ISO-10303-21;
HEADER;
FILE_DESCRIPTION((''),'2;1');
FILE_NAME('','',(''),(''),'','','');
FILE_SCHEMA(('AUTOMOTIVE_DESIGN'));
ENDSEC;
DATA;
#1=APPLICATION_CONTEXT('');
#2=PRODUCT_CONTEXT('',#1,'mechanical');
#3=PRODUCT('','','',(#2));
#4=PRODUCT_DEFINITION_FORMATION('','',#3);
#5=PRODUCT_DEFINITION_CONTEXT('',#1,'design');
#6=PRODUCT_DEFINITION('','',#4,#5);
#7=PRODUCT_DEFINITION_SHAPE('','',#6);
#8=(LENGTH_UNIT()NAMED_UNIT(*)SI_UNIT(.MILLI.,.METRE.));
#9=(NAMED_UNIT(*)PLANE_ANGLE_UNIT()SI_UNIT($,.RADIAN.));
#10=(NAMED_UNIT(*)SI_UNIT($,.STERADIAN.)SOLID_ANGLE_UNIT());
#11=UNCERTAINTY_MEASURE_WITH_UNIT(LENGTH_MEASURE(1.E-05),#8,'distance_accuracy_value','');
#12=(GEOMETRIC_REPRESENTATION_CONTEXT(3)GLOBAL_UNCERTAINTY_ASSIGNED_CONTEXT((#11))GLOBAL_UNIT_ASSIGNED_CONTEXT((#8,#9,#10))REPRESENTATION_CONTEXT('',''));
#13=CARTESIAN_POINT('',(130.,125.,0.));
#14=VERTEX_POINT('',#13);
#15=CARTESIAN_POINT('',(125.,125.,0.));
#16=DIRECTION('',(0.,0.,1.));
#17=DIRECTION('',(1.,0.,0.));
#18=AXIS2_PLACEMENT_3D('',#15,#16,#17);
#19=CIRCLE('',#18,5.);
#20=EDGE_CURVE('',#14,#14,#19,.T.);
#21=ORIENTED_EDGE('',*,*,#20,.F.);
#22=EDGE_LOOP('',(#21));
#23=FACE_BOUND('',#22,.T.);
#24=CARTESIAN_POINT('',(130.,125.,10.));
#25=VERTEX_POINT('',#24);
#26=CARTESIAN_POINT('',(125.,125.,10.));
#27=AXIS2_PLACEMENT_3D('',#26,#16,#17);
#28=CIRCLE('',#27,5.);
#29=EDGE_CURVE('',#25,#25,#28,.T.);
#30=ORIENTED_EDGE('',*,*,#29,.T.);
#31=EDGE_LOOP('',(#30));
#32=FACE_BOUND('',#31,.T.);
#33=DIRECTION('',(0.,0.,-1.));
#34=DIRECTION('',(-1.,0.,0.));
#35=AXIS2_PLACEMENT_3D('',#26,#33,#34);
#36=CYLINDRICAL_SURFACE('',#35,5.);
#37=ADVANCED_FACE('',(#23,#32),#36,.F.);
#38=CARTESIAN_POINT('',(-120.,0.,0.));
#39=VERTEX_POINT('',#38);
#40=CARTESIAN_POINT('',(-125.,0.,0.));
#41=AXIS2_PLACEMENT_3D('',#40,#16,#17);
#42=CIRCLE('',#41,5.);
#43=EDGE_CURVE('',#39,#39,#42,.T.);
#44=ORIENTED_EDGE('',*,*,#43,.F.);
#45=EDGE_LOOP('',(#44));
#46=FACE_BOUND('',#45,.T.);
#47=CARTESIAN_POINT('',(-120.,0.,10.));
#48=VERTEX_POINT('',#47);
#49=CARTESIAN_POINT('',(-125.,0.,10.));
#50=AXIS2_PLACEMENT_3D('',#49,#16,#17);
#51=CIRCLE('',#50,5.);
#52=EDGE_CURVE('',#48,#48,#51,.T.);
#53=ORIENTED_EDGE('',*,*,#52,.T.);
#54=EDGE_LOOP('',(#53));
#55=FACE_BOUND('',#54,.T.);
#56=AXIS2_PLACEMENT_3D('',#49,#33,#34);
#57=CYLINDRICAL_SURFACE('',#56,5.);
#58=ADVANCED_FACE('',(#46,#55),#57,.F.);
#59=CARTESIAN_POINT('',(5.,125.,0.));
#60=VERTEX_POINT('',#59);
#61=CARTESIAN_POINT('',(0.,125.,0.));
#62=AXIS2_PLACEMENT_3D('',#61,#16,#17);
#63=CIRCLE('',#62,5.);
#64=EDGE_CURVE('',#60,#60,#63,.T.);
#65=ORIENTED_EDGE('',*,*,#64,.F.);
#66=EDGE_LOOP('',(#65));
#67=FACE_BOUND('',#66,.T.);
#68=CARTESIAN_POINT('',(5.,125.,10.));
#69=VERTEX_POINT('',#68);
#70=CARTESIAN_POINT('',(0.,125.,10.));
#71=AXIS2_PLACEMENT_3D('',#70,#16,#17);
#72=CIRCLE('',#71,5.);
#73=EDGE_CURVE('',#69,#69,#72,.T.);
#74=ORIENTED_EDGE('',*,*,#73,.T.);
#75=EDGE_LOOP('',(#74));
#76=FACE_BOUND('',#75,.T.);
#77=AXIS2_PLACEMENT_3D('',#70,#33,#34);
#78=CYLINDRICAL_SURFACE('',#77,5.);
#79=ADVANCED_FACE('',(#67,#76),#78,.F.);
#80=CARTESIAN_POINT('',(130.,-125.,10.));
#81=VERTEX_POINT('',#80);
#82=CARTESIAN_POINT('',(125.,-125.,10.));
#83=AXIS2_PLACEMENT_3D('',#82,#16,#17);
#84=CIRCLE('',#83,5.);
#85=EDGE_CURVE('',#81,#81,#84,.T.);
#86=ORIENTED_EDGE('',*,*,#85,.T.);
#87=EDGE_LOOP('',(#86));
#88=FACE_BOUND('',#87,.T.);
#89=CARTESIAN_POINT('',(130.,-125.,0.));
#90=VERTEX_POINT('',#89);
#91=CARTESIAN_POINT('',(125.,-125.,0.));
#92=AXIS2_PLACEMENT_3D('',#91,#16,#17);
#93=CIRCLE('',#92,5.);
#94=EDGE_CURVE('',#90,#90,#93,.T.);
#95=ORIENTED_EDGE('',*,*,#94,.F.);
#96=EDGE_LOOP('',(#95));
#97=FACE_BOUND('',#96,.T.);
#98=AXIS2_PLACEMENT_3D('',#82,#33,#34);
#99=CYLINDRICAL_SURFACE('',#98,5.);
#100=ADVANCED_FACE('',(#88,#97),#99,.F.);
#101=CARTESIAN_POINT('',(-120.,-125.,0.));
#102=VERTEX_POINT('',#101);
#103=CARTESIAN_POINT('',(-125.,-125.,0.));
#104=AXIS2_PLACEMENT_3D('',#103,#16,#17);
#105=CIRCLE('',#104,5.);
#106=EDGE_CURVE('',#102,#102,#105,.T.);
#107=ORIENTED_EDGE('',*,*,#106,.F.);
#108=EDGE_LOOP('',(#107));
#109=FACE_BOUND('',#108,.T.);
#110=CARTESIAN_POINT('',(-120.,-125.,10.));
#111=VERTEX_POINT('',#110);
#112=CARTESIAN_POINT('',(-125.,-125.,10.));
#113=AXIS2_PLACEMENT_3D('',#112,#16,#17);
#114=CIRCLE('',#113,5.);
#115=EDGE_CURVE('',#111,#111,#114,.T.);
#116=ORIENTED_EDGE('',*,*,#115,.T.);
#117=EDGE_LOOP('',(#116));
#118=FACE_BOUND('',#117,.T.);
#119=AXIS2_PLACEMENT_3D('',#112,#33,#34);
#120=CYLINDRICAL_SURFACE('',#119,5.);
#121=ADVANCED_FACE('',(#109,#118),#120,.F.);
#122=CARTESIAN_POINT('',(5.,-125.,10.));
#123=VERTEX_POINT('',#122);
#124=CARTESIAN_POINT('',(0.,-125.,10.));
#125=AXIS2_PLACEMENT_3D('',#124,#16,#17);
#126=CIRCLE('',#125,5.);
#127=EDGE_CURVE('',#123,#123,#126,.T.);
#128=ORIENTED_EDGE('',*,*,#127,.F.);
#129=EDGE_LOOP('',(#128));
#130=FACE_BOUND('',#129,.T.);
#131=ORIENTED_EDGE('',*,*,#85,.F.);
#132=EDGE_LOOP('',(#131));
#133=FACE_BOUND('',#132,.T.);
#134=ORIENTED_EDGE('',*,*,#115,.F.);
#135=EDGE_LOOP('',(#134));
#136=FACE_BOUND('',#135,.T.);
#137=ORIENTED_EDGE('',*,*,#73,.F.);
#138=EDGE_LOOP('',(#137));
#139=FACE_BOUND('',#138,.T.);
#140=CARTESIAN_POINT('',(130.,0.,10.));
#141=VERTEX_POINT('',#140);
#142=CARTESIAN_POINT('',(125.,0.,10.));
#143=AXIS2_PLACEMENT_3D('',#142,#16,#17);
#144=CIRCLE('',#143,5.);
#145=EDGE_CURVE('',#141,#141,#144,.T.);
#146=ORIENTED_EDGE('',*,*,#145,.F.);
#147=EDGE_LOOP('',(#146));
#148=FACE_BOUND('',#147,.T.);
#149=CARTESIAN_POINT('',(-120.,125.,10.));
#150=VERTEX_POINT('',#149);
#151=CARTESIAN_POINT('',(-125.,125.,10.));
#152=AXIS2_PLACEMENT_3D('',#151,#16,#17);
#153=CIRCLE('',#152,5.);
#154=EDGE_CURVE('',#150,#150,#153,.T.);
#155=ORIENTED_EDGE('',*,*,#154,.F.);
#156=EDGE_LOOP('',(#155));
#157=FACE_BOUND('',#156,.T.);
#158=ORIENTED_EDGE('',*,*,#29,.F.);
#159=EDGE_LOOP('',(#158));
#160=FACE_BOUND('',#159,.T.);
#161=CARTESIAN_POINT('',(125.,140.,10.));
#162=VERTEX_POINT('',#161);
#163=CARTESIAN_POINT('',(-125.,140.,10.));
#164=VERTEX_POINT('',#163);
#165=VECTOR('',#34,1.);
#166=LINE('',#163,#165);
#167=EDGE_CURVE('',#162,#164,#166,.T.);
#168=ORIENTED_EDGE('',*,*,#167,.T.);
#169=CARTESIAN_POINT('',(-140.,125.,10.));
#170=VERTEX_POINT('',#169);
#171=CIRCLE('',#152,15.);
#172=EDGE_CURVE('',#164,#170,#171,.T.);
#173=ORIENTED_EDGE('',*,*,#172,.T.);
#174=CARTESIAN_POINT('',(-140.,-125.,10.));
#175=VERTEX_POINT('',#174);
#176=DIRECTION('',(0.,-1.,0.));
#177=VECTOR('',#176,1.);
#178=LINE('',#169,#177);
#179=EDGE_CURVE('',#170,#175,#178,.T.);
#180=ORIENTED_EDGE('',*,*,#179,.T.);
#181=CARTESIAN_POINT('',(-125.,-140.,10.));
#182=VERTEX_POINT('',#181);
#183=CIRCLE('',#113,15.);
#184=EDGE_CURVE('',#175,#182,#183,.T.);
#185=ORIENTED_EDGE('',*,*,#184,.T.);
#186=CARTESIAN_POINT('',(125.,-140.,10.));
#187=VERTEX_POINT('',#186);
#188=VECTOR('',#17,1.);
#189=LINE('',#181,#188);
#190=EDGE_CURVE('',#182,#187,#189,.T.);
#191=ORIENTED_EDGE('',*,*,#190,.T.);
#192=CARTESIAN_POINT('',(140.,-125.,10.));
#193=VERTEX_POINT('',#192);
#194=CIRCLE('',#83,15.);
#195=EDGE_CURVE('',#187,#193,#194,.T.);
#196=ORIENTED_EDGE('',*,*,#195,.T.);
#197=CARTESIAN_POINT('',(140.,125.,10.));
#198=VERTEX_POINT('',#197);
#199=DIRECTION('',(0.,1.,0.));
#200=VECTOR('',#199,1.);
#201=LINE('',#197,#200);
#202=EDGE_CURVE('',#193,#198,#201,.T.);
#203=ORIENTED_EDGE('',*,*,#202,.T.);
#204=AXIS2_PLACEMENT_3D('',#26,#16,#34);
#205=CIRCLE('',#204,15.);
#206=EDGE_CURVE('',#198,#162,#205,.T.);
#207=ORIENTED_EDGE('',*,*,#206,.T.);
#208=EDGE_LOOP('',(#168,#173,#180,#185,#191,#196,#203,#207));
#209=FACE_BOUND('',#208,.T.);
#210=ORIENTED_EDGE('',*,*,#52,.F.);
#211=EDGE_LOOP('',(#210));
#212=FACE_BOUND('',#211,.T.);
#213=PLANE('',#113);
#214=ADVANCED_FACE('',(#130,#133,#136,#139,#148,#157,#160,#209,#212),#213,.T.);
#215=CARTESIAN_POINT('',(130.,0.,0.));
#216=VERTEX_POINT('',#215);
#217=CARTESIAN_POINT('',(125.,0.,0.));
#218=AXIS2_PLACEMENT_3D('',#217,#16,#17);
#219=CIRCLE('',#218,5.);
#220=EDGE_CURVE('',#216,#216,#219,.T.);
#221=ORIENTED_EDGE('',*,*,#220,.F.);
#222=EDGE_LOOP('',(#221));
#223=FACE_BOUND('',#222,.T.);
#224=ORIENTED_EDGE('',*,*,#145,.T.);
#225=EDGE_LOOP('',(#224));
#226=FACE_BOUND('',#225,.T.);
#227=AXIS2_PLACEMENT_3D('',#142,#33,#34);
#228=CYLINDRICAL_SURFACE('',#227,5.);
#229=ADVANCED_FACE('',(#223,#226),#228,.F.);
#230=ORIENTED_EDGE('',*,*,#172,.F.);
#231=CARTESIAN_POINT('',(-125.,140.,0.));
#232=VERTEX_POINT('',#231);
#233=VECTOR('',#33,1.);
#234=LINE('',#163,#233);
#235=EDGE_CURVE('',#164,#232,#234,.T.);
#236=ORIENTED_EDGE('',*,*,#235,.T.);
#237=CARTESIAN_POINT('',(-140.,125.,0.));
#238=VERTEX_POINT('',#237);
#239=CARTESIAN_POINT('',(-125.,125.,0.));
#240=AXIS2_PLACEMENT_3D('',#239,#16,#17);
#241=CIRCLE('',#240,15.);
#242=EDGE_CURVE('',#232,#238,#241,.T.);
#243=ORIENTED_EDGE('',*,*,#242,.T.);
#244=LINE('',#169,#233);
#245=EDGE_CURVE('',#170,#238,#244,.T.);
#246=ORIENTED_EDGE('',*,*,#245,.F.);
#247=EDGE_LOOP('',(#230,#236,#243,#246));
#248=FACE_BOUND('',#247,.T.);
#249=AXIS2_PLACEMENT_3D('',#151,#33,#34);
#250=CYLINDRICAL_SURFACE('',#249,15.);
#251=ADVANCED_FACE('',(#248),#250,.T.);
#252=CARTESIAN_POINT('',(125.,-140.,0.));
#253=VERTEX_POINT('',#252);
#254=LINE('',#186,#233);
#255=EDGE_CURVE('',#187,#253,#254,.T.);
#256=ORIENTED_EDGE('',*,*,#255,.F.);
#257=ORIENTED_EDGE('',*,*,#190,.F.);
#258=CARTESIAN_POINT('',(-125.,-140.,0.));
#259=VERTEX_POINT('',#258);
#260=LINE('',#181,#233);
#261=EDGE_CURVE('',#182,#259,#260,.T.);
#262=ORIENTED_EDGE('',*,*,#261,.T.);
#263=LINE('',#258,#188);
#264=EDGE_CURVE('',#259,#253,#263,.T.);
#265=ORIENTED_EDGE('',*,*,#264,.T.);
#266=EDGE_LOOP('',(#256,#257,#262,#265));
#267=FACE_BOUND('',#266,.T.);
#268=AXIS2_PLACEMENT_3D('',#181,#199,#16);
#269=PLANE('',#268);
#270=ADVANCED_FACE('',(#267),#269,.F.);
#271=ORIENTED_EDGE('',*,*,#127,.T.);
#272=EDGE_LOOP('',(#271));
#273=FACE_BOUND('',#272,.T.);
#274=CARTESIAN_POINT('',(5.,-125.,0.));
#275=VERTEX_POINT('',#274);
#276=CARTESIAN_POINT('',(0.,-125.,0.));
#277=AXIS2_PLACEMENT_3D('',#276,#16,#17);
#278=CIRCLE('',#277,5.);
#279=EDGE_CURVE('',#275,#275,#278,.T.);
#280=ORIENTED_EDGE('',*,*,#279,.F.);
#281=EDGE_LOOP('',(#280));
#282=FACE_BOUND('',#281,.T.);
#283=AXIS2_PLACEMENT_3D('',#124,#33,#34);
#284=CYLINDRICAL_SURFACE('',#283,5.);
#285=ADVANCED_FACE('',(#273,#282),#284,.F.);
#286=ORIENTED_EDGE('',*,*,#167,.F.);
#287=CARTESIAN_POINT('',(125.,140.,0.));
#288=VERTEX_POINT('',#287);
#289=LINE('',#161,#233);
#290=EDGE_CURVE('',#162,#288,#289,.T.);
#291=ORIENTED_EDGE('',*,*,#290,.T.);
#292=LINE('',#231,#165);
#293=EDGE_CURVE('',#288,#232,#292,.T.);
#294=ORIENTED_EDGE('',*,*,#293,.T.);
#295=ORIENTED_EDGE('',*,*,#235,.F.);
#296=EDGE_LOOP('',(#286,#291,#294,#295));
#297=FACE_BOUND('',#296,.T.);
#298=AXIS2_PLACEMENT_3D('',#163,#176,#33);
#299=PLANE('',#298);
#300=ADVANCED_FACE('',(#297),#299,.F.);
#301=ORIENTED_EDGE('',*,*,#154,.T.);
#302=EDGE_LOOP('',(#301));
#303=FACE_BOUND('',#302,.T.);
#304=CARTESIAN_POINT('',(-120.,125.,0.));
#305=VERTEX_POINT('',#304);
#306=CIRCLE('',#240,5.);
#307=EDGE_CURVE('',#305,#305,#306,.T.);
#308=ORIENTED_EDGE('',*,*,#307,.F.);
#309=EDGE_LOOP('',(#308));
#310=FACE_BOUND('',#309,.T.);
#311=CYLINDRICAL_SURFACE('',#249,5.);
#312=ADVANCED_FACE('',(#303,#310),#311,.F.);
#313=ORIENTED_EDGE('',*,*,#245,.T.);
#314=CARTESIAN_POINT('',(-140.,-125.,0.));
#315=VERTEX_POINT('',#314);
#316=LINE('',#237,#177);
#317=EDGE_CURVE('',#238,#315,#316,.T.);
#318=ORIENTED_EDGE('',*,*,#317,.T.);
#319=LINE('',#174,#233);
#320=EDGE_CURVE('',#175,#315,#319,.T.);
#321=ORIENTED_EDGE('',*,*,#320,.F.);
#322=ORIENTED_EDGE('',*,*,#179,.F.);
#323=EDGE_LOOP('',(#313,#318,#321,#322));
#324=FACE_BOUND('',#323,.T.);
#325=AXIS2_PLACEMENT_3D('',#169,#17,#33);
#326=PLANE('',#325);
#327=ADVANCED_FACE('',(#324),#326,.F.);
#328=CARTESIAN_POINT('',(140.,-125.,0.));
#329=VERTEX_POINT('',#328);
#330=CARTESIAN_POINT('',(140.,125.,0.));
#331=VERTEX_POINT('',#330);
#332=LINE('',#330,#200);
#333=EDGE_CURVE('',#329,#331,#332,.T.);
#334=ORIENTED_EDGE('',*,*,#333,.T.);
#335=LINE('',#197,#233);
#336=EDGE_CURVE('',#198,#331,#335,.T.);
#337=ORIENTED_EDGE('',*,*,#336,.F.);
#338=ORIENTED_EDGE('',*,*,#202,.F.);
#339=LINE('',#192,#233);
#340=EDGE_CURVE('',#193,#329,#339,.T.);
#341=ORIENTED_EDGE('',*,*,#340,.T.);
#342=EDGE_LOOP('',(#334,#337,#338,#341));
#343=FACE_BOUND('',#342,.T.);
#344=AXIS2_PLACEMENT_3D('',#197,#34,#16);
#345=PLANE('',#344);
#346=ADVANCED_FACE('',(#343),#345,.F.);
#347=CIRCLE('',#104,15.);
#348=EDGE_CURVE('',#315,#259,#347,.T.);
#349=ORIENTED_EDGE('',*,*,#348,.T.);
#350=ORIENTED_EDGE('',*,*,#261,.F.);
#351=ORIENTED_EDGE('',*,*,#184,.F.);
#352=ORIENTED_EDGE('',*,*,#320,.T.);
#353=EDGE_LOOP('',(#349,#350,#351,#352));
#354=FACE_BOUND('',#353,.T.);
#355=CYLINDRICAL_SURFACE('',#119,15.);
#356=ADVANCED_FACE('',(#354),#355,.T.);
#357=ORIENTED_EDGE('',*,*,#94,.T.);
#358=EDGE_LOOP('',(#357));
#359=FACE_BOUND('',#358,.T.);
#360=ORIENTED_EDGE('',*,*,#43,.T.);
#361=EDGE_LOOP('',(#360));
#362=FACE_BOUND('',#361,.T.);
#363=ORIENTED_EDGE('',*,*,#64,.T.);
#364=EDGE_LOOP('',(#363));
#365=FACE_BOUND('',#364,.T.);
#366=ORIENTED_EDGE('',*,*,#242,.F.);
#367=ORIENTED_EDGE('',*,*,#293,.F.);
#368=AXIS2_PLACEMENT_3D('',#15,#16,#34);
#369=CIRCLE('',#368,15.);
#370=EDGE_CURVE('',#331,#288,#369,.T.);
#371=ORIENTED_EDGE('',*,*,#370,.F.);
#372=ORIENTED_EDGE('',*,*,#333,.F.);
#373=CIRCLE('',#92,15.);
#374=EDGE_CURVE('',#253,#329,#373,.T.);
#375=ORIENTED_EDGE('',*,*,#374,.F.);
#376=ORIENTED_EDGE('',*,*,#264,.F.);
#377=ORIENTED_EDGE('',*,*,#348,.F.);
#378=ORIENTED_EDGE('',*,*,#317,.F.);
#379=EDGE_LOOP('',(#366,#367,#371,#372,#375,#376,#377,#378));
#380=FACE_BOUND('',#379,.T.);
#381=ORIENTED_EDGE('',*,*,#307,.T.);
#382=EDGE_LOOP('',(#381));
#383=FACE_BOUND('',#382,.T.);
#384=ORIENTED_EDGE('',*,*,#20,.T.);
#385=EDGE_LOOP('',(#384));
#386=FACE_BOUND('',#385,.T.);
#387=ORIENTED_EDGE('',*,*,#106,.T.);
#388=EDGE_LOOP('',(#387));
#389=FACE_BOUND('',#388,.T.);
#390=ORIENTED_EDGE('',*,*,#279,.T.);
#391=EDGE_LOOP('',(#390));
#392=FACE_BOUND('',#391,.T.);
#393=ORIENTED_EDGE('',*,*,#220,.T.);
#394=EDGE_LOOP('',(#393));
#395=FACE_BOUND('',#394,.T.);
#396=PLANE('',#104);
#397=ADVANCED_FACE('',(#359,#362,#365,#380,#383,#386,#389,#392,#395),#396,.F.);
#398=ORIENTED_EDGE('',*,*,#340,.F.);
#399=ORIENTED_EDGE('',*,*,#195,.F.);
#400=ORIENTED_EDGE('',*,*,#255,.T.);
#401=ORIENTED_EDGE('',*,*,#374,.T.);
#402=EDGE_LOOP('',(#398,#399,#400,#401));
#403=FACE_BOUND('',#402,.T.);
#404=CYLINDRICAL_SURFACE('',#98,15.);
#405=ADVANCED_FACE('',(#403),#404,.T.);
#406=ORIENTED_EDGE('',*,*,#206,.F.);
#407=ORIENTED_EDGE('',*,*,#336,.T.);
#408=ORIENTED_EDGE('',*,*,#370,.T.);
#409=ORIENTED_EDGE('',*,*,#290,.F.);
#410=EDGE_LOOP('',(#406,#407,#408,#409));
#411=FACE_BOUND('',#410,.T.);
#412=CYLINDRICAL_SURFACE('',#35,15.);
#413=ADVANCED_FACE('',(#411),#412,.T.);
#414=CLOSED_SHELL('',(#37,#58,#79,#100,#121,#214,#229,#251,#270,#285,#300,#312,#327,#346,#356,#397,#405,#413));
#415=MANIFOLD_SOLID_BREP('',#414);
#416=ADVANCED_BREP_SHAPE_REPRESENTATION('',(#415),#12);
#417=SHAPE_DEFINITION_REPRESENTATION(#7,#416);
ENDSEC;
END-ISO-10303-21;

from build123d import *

# Parameters (mm, degrees)
SKETCH2_R           = 5
BOSS_EXTRUDE1_DEPTH = 10


with BuildPart() as part:
    # Sketch2 → Boss-Extrude1 (new body)
    with BuildSketch(Plane.XY):
        with BuildLine():
            Line((-125, 140), (125, 140))
            ThreePointArc((125, 140), (135.606601718, 135.606601718), (140, 125))
            Line((140, 125), (140, -125))
            ThreePointArc((140, -125), (135.606601718, -135.606601718), (125, -140))
            Line((125, -140), (-125, -140))
            ThreePointArc((-125, -140), (-135.606601718, -135.606601718), (-140, -125))
            Line((-140, -125), (-140, 125))
            ThreePointArc((-140, 125), (-135.606601718, 135.606601718), (-125, 140))
        make_face()
        with Locations((-125, 125)):
            Circle(SKETCH2_R, mode=Mode.SUBTRACT)
        with Locations((0, 125)):
            Circle(SKETCH2_R, mode=Mode.SUBTRACT)
        with Locations((125, 125)):
            Circle(SKETCH2_R, mode=Mode.SUBTRACT)
        with Locations((125, 0)):
            Circle(SKETCH2_R, mode=Mode.SUBTRACT)
        with Locations((-125, 0)):
            Circle(SKETCH2_R, mode=Mode.SUBTRACT)
        with Locations((-125, -125)):
            Circle(SKETCH2_R, mode=Mode.SUBTRACT)
        with Locations((0, -125)):
            Circle(SKETCH2_R, mode=Mode.SUBTRACT)
        with Locations((125, -125)):
            Circle(SKETCH2_R, mode=Mode.SUBTRACT)
    extrude(amount=BOSS_EXTRUDE1_DEPTH)


solid = part.part
